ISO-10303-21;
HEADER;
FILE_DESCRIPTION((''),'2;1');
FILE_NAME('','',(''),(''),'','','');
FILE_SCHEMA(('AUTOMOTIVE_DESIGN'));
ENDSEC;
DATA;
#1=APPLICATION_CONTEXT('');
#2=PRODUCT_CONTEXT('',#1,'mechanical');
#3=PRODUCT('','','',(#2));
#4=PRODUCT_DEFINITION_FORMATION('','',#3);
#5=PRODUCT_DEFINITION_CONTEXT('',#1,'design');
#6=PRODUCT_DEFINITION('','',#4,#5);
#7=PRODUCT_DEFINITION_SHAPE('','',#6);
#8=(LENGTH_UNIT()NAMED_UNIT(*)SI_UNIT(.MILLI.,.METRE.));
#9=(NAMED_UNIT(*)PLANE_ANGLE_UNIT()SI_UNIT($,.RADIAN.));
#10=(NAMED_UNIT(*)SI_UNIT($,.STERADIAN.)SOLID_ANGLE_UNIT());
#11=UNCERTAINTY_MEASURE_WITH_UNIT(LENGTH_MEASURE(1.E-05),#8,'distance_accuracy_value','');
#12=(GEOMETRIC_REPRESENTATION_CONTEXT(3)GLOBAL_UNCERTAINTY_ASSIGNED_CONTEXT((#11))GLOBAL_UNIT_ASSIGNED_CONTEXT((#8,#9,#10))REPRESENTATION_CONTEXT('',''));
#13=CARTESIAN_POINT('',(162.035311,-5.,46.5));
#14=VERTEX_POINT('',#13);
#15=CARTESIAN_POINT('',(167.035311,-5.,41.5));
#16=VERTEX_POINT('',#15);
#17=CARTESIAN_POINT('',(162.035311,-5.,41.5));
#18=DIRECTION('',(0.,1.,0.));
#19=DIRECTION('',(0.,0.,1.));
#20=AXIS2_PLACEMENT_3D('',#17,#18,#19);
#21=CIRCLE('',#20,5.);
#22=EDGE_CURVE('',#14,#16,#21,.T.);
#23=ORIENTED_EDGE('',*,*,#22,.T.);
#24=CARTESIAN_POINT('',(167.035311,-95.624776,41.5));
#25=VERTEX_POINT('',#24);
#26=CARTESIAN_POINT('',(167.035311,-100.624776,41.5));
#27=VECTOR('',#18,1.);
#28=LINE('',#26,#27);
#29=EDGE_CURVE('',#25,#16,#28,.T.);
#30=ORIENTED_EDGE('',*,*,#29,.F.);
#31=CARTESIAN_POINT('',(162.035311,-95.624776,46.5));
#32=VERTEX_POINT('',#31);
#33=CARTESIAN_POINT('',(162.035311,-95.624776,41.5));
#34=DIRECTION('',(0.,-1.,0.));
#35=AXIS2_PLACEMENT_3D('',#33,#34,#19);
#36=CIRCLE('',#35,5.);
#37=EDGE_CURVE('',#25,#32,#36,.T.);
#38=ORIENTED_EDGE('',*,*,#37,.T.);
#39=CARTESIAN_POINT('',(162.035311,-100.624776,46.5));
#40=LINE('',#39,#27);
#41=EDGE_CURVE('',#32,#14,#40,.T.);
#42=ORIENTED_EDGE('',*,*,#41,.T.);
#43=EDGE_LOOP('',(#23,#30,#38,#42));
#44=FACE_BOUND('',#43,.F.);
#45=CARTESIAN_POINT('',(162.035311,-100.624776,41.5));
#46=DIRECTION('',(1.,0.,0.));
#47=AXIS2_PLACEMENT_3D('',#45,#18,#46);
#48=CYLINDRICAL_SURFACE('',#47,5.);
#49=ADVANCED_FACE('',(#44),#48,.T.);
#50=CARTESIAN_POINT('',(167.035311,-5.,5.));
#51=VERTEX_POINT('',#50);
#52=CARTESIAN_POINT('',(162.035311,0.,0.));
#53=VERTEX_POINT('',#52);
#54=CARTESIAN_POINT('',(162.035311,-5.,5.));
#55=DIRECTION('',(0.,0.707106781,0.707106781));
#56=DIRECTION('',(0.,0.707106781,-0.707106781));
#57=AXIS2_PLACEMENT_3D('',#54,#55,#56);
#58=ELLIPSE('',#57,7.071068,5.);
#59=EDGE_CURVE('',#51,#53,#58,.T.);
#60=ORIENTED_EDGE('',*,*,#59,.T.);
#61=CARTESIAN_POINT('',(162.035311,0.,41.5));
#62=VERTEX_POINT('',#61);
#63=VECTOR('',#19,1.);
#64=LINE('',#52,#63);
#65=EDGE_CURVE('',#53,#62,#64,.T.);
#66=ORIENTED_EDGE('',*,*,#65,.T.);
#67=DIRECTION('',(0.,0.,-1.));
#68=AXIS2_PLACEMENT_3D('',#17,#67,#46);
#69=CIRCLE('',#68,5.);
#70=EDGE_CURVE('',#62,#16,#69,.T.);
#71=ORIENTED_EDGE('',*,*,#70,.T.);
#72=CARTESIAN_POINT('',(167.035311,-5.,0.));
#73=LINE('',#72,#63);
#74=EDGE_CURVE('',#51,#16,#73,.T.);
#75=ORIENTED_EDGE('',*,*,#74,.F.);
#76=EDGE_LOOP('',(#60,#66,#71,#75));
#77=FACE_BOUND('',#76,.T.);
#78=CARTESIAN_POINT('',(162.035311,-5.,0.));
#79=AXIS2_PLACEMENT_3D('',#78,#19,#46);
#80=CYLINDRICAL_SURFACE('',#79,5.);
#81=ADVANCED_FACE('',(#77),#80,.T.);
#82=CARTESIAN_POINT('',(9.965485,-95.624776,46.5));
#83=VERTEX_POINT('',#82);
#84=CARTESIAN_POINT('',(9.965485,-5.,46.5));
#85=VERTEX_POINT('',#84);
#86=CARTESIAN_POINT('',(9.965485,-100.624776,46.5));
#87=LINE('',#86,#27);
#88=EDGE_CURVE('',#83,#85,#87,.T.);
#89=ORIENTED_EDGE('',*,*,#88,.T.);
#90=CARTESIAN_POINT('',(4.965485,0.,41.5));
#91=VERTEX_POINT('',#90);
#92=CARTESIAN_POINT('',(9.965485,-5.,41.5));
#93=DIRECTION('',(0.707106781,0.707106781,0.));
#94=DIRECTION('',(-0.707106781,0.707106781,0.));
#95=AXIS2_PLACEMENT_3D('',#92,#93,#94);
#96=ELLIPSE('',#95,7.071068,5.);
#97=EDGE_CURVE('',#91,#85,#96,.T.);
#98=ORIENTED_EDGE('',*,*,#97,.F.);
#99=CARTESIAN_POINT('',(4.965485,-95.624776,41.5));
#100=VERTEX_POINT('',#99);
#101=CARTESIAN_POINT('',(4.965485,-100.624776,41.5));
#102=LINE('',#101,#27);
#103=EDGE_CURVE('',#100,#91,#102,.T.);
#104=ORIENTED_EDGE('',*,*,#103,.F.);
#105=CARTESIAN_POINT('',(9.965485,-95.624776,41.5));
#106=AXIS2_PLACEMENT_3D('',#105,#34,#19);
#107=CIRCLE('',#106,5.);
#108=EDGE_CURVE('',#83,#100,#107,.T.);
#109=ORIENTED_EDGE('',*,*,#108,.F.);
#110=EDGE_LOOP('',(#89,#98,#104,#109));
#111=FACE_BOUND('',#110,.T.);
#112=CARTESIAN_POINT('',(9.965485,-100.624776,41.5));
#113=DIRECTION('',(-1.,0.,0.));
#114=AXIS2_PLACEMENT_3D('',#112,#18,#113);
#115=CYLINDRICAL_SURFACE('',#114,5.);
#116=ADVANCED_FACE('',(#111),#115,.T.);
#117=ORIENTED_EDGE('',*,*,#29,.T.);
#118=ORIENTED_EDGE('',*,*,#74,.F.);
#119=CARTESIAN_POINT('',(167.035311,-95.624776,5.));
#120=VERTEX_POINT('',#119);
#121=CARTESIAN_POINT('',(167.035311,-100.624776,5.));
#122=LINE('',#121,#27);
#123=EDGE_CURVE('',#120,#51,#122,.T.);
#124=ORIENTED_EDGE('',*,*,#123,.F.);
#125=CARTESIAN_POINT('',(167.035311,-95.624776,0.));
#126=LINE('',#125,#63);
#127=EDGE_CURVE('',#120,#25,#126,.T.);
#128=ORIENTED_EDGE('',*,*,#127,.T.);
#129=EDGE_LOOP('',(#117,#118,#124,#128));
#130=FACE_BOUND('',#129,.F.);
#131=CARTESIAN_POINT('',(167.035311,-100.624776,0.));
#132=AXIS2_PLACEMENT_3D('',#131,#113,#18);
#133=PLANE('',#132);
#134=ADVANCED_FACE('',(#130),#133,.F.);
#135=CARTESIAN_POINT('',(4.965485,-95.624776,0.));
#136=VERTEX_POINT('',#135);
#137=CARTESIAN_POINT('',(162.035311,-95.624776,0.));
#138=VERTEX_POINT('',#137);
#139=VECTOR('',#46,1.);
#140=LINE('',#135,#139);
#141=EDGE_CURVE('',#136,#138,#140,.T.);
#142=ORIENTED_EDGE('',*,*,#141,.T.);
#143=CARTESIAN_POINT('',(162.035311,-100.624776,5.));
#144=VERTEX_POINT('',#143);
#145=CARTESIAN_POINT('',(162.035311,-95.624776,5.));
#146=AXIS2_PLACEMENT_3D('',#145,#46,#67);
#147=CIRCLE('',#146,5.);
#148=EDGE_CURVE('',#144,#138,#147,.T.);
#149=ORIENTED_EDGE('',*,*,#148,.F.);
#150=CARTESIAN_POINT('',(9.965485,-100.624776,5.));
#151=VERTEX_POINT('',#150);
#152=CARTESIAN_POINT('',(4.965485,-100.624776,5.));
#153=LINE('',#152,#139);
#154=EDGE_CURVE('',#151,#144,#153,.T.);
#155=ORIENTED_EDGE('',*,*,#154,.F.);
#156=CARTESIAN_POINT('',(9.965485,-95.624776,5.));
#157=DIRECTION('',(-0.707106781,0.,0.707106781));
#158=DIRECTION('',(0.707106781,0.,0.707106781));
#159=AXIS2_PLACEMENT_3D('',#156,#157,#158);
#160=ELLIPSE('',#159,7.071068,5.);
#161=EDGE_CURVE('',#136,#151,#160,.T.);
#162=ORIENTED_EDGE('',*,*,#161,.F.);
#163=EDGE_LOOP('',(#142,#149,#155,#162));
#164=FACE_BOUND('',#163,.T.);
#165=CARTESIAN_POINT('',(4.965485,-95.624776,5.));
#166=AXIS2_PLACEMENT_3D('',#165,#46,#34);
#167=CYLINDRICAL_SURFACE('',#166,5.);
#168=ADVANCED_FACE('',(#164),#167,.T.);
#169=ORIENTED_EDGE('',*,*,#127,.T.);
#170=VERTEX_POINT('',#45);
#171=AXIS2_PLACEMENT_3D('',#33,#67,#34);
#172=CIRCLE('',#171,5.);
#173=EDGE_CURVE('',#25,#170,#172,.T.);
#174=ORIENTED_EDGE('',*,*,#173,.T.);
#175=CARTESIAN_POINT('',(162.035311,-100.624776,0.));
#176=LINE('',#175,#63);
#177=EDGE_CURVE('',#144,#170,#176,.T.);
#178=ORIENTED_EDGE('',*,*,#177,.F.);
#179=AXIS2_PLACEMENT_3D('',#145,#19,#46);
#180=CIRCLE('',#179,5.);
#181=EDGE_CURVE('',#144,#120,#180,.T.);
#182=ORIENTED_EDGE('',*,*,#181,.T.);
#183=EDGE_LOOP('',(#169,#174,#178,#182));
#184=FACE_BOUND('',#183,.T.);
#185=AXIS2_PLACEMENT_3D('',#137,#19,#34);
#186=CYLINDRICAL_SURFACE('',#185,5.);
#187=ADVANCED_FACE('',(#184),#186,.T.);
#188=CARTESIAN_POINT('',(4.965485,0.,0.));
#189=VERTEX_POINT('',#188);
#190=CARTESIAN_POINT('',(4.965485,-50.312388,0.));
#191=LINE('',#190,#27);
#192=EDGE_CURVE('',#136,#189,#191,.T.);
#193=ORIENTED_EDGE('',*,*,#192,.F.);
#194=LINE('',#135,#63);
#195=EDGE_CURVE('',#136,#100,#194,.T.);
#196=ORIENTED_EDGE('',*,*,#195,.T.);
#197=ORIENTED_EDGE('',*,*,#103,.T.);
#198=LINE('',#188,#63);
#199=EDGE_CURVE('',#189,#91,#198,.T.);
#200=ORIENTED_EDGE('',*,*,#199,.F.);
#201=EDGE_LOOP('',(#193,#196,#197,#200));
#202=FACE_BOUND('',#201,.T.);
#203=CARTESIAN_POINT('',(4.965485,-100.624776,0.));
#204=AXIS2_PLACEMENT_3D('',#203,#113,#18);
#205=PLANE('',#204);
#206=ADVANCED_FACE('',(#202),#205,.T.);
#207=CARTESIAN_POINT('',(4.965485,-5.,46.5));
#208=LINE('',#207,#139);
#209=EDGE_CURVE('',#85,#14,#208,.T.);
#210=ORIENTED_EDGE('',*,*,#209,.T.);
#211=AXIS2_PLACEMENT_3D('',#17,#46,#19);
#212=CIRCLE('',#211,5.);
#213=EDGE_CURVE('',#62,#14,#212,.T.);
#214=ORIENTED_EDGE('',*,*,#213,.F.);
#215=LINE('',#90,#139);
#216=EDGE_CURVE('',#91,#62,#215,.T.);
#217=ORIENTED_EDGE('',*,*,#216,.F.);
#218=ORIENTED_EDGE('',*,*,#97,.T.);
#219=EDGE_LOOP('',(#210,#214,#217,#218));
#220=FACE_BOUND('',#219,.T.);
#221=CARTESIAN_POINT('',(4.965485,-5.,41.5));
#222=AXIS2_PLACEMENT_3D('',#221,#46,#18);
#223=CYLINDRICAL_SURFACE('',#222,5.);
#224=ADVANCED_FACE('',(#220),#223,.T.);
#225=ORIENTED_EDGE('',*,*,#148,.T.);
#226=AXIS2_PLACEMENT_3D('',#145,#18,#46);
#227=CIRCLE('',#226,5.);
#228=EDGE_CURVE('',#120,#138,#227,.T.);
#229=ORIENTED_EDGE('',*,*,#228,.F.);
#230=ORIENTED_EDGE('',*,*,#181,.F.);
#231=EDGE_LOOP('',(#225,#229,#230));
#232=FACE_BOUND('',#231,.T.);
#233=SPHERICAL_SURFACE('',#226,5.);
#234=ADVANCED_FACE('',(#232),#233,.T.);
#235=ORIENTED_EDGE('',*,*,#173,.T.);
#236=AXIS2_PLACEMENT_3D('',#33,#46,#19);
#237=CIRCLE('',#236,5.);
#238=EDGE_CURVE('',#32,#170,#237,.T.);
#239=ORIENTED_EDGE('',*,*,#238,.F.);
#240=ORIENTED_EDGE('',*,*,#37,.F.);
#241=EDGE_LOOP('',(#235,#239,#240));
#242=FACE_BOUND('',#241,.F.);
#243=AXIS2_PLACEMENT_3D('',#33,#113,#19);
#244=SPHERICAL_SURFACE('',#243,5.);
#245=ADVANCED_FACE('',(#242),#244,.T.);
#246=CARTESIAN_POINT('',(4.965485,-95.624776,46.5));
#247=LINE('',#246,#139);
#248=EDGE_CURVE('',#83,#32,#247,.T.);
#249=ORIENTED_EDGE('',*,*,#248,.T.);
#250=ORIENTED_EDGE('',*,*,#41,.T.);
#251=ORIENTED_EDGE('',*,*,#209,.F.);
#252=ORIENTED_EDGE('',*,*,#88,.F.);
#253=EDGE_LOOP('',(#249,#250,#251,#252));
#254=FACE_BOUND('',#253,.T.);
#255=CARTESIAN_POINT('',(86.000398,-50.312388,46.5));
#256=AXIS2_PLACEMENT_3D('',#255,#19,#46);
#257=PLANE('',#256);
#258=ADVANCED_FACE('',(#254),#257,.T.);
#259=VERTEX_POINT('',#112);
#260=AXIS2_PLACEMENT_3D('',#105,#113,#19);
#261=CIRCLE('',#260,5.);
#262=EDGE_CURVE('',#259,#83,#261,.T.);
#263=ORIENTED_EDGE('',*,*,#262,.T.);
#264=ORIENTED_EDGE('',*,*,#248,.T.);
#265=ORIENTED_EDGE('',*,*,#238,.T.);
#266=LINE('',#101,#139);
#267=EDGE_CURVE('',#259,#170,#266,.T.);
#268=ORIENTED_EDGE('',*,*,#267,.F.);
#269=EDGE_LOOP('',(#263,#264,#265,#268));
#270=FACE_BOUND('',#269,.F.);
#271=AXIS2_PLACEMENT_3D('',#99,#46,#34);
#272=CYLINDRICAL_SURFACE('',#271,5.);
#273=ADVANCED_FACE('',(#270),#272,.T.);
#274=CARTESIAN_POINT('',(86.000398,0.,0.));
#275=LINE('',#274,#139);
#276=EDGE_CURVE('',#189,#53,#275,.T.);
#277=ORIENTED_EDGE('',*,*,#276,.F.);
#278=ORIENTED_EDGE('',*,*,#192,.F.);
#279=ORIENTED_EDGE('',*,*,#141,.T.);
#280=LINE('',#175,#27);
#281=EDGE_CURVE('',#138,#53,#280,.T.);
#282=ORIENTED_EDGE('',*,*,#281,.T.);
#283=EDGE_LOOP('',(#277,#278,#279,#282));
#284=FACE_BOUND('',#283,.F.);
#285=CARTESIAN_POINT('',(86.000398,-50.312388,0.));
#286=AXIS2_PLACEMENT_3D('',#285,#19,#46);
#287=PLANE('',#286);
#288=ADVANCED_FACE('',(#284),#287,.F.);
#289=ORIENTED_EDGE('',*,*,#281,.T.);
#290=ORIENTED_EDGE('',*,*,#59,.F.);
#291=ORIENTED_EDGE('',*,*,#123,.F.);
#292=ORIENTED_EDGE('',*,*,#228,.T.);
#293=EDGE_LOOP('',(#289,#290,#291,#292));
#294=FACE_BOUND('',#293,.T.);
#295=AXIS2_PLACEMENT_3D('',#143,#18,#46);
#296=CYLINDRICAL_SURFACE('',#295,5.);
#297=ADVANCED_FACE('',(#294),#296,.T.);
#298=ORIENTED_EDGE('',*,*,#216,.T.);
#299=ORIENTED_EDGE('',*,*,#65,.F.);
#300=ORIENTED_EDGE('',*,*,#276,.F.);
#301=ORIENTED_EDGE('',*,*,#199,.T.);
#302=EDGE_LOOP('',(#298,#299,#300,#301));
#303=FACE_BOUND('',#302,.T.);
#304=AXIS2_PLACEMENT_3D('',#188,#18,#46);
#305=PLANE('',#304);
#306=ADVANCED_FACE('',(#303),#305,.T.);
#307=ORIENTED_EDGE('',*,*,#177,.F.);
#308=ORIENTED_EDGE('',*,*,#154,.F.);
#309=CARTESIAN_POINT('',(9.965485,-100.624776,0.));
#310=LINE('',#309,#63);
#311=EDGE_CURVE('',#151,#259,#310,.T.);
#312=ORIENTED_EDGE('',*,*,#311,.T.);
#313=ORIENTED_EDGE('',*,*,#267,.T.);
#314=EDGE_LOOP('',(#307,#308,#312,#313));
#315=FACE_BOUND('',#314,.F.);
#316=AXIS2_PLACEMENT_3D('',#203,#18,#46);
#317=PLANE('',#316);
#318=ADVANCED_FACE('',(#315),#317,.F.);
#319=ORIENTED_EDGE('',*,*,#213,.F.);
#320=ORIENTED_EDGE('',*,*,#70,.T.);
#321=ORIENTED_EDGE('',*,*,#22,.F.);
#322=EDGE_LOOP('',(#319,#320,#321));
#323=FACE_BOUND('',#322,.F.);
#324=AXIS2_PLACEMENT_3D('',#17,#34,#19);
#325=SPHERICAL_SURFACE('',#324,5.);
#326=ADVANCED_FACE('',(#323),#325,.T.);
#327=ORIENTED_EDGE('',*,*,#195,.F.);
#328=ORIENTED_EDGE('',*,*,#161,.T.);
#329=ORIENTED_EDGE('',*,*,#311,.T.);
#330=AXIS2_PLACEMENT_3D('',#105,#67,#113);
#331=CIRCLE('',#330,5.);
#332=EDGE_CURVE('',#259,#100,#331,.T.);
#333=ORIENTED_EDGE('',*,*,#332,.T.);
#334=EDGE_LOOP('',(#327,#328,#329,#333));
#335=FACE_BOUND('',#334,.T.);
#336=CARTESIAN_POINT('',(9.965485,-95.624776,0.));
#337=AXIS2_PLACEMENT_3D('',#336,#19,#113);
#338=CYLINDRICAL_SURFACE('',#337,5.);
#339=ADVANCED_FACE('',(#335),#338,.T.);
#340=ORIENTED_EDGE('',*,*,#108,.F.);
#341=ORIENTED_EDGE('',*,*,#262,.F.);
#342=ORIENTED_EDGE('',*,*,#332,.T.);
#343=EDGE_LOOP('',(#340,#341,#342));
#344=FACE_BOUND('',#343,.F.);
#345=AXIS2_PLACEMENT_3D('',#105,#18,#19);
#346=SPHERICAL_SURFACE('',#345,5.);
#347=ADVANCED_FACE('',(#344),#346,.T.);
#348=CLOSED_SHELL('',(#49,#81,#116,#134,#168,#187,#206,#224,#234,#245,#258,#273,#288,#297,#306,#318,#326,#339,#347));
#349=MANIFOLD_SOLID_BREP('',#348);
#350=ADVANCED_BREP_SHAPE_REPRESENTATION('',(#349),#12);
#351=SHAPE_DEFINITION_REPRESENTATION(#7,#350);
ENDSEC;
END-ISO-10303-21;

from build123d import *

# Parameters (mm, degrees)
F0_W     = 162.069825
F0_H     = 100.624777
F1_DEPTH = 46.5
F2_R     = 5
F3_W     = 55.878233
F3_H     = 11.453293
F4_DEPTH = 17.7


with BuildPart() as f1:
    # F0 (on Top) → F1 (new body)
    with BuildSketch(Plane.XY):
        with Locations((86.000398, -50.312388)):
            Rectangle(F0_W, F0_H)
    extrude(amount=F1_DEPTH)

    # F2
    f2_edges = [f1.edges().sort_by_distance(p)[0] for p in [
        (4.965486, -50.312389, 46.5),
        (86.000399, -100.624777, 46.5),
        (167.035311, -50.312389, 46.5),
        (86.000399, 0, 46.5),
        (167.035311, -50.312389, 0),
        (167.035311, -100.624777, 23.25),
        (167.035311, 0, 23.25),
        (4.965486, -100.624777, 23.25),
        (86.000399, -100.624777, 0),
    ]]
    fillet(f2_edges, radius=F2_R)

    # F3 (on face) → F4 (join)
    with BuildSketch(Plane.XY.offset(46.5)):
        with Locations((68.088533, -73.464717)):
            Rectangle(F3_W, F3_H)
    extrude(amount=-F4_DEPTH)


solid = f1.part
